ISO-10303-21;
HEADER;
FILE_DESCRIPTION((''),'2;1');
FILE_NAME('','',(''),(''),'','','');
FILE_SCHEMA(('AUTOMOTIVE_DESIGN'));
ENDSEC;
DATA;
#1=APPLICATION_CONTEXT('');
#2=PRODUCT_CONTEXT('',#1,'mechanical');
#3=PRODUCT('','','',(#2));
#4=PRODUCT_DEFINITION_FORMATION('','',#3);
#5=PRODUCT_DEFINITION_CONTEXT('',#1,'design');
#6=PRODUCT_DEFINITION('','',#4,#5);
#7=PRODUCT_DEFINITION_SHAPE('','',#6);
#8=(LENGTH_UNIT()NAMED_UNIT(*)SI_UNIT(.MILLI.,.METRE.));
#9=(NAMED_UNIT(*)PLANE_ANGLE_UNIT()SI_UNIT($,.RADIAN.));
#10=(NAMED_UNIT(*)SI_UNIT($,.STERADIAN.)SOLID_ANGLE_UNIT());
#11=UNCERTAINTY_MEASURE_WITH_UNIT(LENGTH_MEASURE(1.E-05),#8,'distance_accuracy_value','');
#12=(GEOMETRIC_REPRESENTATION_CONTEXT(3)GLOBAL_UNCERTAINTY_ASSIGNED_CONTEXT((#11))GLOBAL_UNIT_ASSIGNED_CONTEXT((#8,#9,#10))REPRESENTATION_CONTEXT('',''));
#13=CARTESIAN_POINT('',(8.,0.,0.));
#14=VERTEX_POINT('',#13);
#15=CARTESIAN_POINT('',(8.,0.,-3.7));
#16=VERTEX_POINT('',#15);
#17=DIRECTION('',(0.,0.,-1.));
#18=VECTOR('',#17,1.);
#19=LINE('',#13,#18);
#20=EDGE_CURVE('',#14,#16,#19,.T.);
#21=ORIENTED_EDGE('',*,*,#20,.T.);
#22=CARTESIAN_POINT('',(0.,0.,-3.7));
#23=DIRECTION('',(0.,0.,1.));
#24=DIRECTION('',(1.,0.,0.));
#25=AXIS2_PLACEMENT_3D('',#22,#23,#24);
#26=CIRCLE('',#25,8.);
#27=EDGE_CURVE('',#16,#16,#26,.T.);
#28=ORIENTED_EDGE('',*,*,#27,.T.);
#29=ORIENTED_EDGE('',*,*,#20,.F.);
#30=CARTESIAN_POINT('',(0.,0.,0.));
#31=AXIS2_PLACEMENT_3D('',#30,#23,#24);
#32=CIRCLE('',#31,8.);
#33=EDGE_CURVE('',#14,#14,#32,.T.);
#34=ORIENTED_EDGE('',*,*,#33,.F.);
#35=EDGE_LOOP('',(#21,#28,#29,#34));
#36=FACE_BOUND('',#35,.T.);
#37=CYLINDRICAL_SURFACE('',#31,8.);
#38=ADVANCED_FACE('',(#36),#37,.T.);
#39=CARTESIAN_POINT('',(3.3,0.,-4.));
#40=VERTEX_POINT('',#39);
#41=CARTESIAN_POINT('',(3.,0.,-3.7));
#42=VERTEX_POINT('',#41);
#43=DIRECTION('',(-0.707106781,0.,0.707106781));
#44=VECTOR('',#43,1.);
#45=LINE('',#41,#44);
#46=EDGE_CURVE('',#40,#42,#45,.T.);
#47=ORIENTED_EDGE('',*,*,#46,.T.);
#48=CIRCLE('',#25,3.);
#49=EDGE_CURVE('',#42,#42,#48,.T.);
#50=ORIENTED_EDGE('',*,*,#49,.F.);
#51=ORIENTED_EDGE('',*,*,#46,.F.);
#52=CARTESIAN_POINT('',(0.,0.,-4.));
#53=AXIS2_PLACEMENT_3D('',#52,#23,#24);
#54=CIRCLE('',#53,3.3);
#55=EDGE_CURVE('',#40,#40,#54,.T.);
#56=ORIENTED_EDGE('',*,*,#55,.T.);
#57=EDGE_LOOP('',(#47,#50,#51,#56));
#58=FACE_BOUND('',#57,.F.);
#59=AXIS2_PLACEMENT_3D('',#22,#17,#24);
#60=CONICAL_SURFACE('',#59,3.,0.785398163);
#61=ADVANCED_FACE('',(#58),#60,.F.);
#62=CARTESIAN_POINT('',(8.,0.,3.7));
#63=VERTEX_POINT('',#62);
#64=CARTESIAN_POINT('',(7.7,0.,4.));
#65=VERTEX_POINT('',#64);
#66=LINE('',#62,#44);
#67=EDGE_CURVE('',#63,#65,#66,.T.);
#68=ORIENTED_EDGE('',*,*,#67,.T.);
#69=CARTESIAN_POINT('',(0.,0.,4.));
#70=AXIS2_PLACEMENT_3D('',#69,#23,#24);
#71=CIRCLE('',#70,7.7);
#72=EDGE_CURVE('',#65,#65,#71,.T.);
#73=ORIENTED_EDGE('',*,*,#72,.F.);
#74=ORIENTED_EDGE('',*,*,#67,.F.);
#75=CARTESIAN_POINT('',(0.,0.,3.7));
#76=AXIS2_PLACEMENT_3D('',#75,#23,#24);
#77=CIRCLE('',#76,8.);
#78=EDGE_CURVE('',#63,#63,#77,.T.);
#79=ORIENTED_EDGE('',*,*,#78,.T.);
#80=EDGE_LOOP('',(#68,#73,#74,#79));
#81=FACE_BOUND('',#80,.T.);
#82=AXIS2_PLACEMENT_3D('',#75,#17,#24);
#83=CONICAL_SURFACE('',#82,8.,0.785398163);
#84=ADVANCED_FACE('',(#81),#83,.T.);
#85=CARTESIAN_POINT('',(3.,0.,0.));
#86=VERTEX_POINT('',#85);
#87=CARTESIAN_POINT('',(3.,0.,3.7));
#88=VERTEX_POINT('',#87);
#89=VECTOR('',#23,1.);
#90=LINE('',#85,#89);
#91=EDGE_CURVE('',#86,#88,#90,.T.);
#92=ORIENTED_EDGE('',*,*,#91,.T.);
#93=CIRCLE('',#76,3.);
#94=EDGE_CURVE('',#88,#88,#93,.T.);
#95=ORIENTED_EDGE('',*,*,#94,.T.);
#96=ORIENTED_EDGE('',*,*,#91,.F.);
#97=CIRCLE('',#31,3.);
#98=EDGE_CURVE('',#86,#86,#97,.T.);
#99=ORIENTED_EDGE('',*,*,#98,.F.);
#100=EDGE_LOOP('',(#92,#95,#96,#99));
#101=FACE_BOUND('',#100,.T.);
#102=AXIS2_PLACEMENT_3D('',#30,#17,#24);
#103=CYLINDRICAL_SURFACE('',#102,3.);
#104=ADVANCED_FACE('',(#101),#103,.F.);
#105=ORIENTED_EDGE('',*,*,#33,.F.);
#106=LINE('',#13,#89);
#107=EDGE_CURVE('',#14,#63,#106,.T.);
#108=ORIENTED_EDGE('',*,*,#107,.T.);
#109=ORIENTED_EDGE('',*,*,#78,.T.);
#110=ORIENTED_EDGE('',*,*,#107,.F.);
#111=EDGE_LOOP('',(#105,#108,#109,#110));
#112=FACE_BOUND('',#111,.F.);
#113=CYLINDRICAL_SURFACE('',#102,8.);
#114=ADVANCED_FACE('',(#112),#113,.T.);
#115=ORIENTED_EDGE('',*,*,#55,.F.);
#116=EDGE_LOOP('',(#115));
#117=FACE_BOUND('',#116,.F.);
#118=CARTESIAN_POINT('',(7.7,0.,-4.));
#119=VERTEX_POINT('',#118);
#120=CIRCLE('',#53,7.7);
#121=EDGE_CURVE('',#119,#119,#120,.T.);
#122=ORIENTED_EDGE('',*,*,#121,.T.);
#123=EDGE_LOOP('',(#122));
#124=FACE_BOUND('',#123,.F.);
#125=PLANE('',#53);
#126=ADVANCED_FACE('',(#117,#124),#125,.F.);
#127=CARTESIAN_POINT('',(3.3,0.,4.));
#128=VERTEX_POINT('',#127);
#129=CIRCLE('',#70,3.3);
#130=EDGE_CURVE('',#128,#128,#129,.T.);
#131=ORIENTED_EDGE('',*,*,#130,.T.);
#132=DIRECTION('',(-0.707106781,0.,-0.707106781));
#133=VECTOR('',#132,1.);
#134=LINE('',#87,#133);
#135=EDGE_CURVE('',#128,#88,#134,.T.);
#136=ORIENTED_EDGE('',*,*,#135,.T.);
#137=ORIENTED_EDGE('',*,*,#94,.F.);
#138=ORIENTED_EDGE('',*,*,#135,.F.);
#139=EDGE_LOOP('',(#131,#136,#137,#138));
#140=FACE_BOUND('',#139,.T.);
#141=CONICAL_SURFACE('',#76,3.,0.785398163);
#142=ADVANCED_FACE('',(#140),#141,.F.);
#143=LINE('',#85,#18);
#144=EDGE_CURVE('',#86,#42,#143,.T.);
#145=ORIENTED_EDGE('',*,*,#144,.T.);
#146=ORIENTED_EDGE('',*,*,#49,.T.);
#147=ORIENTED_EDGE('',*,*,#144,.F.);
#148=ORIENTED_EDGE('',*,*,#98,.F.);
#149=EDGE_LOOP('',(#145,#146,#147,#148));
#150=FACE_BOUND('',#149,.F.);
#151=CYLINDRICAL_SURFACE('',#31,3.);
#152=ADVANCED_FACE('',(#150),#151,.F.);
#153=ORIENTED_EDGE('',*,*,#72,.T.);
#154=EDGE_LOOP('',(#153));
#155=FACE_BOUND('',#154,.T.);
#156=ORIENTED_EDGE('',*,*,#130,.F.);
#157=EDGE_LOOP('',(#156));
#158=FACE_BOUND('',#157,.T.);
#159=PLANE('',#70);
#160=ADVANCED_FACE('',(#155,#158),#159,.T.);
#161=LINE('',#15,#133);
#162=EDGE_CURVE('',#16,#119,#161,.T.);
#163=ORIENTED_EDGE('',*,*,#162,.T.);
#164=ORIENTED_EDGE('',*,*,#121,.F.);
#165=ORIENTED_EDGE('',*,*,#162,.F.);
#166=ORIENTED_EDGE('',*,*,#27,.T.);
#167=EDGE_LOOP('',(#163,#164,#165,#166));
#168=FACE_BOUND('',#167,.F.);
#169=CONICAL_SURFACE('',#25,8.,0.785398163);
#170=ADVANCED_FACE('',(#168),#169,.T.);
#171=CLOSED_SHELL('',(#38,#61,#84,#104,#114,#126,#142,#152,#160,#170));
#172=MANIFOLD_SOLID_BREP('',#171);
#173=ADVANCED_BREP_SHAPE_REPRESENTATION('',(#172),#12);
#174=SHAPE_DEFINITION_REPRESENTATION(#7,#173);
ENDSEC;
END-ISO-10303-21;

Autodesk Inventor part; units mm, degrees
ref_plane "YZ Plane" through (0, 0, 0) normal (1, 0, 0) x (0, 1, 0)
ref_plane "XZ Plane" through (0, 0, 0) normal (0, 1, 0) x (-1, 0, 0)
ref_plane "XY Plane" through (0, 0, 0) normal (0, 0, 1) x (1, 0, 0)
sketch "Esboço1" plane through (0, 0, 0) normal (0, 0, 1) x (1, 0, 0)
  circle A0 centre (0, 0) radius 3
  circle A1 centre (0, 0) radius 8
  dimension "d0" = 6
  dimension "d1" = 16
extrude "Extrusão1" add sketch "Esboço1" along normal mid plane 8
chamfer "Chanfro1" distance 0.3 angle 45 4 edges at (-3, 0, 4) (-8, 0, 4) (-8, 0, -4) (-3, 0, -4)
